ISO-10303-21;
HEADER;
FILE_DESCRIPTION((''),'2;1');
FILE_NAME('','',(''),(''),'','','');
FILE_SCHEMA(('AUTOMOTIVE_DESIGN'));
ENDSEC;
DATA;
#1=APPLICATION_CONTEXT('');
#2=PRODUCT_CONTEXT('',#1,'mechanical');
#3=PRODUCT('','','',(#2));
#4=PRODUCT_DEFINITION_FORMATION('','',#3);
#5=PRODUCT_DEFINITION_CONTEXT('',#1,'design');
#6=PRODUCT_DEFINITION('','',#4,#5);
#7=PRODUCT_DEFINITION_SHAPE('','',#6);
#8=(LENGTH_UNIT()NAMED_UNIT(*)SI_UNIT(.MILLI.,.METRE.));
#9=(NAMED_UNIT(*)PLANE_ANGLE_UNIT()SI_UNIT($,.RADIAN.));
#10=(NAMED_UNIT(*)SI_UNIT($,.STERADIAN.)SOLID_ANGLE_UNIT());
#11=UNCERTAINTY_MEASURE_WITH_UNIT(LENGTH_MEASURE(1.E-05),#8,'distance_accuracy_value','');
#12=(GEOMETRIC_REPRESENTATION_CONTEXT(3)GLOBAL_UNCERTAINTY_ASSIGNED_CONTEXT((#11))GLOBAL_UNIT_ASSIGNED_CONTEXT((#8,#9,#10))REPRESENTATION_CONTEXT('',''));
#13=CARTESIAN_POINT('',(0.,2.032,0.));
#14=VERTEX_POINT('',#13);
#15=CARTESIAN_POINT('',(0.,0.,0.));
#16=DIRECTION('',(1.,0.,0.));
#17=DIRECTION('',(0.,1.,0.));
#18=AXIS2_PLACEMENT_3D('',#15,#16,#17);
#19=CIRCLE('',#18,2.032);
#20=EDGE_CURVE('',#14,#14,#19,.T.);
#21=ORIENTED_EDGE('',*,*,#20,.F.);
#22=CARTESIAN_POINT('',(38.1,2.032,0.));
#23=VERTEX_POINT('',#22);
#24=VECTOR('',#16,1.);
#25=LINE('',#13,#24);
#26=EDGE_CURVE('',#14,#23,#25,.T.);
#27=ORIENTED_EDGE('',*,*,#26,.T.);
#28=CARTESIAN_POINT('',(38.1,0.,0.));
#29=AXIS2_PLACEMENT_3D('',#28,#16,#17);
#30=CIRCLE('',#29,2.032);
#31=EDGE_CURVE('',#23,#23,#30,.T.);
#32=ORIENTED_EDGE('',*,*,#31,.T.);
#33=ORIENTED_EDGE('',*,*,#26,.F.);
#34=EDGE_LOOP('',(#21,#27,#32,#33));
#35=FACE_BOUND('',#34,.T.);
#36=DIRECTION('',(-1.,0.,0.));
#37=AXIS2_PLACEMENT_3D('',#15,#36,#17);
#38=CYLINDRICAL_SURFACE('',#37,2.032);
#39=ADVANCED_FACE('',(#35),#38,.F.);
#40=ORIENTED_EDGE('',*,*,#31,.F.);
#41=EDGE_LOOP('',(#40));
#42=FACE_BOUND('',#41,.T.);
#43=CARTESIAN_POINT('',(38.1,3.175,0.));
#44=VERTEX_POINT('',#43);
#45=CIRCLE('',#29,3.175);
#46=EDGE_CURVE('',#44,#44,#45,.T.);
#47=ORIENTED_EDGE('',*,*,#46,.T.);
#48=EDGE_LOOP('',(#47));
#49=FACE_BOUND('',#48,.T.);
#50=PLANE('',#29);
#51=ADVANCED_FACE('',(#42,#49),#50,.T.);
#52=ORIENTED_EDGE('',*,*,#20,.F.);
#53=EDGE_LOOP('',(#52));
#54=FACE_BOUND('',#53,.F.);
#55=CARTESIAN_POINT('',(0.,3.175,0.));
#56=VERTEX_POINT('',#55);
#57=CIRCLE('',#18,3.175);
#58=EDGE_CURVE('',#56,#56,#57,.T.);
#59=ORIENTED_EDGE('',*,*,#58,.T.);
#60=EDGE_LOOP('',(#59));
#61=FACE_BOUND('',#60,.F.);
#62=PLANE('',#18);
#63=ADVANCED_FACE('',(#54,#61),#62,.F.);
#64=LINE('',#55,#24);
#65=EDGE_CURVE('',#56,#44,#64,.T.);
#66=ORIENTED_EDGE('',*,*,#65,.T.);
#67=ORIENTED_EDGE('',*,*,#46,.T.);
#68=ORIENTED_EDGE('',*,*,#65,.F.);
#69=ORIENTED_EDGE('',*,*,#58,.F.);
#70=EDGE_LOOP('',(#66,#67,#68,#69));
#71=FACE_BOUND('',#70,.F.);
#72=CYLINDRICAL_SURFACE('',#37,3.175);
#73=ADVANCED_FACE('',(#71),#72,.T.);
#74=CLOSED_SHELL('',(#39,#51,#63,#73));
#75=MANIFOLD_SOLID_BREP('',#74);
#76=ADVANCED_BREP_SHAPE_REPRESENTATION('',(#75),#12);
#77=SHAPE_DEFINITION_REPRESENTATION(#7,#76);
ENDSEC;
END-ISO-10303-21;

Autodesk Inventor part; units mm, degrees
ref_plane "YZ Plane" through (0, 0, 0) normal (1, 0, 0) x (0, 1, 0)
ref_plane "XZ Plane" through (0, 0, 0) normal (0, 1, 0) x (-1, 0, 0)
ref_plane "XY Plane" through (0, 0, 0) normal (0, 0, 1) x (1, 0, 0)
sketch "Sketch1" plane through (0, 0, 0) normal (1, 0, 0) x (0, 1, 0)
  circle A0 centre (0, 0) radius 2.032
  circle A1 centre (0, 0) radius 3.175
  dimension "d0" = 4.064
  dimension "d1" = 6.35
extrude "Extrusion1" add sketch "Sketch1" along normal blind 38.1
properties part number "1.5Standoff"
